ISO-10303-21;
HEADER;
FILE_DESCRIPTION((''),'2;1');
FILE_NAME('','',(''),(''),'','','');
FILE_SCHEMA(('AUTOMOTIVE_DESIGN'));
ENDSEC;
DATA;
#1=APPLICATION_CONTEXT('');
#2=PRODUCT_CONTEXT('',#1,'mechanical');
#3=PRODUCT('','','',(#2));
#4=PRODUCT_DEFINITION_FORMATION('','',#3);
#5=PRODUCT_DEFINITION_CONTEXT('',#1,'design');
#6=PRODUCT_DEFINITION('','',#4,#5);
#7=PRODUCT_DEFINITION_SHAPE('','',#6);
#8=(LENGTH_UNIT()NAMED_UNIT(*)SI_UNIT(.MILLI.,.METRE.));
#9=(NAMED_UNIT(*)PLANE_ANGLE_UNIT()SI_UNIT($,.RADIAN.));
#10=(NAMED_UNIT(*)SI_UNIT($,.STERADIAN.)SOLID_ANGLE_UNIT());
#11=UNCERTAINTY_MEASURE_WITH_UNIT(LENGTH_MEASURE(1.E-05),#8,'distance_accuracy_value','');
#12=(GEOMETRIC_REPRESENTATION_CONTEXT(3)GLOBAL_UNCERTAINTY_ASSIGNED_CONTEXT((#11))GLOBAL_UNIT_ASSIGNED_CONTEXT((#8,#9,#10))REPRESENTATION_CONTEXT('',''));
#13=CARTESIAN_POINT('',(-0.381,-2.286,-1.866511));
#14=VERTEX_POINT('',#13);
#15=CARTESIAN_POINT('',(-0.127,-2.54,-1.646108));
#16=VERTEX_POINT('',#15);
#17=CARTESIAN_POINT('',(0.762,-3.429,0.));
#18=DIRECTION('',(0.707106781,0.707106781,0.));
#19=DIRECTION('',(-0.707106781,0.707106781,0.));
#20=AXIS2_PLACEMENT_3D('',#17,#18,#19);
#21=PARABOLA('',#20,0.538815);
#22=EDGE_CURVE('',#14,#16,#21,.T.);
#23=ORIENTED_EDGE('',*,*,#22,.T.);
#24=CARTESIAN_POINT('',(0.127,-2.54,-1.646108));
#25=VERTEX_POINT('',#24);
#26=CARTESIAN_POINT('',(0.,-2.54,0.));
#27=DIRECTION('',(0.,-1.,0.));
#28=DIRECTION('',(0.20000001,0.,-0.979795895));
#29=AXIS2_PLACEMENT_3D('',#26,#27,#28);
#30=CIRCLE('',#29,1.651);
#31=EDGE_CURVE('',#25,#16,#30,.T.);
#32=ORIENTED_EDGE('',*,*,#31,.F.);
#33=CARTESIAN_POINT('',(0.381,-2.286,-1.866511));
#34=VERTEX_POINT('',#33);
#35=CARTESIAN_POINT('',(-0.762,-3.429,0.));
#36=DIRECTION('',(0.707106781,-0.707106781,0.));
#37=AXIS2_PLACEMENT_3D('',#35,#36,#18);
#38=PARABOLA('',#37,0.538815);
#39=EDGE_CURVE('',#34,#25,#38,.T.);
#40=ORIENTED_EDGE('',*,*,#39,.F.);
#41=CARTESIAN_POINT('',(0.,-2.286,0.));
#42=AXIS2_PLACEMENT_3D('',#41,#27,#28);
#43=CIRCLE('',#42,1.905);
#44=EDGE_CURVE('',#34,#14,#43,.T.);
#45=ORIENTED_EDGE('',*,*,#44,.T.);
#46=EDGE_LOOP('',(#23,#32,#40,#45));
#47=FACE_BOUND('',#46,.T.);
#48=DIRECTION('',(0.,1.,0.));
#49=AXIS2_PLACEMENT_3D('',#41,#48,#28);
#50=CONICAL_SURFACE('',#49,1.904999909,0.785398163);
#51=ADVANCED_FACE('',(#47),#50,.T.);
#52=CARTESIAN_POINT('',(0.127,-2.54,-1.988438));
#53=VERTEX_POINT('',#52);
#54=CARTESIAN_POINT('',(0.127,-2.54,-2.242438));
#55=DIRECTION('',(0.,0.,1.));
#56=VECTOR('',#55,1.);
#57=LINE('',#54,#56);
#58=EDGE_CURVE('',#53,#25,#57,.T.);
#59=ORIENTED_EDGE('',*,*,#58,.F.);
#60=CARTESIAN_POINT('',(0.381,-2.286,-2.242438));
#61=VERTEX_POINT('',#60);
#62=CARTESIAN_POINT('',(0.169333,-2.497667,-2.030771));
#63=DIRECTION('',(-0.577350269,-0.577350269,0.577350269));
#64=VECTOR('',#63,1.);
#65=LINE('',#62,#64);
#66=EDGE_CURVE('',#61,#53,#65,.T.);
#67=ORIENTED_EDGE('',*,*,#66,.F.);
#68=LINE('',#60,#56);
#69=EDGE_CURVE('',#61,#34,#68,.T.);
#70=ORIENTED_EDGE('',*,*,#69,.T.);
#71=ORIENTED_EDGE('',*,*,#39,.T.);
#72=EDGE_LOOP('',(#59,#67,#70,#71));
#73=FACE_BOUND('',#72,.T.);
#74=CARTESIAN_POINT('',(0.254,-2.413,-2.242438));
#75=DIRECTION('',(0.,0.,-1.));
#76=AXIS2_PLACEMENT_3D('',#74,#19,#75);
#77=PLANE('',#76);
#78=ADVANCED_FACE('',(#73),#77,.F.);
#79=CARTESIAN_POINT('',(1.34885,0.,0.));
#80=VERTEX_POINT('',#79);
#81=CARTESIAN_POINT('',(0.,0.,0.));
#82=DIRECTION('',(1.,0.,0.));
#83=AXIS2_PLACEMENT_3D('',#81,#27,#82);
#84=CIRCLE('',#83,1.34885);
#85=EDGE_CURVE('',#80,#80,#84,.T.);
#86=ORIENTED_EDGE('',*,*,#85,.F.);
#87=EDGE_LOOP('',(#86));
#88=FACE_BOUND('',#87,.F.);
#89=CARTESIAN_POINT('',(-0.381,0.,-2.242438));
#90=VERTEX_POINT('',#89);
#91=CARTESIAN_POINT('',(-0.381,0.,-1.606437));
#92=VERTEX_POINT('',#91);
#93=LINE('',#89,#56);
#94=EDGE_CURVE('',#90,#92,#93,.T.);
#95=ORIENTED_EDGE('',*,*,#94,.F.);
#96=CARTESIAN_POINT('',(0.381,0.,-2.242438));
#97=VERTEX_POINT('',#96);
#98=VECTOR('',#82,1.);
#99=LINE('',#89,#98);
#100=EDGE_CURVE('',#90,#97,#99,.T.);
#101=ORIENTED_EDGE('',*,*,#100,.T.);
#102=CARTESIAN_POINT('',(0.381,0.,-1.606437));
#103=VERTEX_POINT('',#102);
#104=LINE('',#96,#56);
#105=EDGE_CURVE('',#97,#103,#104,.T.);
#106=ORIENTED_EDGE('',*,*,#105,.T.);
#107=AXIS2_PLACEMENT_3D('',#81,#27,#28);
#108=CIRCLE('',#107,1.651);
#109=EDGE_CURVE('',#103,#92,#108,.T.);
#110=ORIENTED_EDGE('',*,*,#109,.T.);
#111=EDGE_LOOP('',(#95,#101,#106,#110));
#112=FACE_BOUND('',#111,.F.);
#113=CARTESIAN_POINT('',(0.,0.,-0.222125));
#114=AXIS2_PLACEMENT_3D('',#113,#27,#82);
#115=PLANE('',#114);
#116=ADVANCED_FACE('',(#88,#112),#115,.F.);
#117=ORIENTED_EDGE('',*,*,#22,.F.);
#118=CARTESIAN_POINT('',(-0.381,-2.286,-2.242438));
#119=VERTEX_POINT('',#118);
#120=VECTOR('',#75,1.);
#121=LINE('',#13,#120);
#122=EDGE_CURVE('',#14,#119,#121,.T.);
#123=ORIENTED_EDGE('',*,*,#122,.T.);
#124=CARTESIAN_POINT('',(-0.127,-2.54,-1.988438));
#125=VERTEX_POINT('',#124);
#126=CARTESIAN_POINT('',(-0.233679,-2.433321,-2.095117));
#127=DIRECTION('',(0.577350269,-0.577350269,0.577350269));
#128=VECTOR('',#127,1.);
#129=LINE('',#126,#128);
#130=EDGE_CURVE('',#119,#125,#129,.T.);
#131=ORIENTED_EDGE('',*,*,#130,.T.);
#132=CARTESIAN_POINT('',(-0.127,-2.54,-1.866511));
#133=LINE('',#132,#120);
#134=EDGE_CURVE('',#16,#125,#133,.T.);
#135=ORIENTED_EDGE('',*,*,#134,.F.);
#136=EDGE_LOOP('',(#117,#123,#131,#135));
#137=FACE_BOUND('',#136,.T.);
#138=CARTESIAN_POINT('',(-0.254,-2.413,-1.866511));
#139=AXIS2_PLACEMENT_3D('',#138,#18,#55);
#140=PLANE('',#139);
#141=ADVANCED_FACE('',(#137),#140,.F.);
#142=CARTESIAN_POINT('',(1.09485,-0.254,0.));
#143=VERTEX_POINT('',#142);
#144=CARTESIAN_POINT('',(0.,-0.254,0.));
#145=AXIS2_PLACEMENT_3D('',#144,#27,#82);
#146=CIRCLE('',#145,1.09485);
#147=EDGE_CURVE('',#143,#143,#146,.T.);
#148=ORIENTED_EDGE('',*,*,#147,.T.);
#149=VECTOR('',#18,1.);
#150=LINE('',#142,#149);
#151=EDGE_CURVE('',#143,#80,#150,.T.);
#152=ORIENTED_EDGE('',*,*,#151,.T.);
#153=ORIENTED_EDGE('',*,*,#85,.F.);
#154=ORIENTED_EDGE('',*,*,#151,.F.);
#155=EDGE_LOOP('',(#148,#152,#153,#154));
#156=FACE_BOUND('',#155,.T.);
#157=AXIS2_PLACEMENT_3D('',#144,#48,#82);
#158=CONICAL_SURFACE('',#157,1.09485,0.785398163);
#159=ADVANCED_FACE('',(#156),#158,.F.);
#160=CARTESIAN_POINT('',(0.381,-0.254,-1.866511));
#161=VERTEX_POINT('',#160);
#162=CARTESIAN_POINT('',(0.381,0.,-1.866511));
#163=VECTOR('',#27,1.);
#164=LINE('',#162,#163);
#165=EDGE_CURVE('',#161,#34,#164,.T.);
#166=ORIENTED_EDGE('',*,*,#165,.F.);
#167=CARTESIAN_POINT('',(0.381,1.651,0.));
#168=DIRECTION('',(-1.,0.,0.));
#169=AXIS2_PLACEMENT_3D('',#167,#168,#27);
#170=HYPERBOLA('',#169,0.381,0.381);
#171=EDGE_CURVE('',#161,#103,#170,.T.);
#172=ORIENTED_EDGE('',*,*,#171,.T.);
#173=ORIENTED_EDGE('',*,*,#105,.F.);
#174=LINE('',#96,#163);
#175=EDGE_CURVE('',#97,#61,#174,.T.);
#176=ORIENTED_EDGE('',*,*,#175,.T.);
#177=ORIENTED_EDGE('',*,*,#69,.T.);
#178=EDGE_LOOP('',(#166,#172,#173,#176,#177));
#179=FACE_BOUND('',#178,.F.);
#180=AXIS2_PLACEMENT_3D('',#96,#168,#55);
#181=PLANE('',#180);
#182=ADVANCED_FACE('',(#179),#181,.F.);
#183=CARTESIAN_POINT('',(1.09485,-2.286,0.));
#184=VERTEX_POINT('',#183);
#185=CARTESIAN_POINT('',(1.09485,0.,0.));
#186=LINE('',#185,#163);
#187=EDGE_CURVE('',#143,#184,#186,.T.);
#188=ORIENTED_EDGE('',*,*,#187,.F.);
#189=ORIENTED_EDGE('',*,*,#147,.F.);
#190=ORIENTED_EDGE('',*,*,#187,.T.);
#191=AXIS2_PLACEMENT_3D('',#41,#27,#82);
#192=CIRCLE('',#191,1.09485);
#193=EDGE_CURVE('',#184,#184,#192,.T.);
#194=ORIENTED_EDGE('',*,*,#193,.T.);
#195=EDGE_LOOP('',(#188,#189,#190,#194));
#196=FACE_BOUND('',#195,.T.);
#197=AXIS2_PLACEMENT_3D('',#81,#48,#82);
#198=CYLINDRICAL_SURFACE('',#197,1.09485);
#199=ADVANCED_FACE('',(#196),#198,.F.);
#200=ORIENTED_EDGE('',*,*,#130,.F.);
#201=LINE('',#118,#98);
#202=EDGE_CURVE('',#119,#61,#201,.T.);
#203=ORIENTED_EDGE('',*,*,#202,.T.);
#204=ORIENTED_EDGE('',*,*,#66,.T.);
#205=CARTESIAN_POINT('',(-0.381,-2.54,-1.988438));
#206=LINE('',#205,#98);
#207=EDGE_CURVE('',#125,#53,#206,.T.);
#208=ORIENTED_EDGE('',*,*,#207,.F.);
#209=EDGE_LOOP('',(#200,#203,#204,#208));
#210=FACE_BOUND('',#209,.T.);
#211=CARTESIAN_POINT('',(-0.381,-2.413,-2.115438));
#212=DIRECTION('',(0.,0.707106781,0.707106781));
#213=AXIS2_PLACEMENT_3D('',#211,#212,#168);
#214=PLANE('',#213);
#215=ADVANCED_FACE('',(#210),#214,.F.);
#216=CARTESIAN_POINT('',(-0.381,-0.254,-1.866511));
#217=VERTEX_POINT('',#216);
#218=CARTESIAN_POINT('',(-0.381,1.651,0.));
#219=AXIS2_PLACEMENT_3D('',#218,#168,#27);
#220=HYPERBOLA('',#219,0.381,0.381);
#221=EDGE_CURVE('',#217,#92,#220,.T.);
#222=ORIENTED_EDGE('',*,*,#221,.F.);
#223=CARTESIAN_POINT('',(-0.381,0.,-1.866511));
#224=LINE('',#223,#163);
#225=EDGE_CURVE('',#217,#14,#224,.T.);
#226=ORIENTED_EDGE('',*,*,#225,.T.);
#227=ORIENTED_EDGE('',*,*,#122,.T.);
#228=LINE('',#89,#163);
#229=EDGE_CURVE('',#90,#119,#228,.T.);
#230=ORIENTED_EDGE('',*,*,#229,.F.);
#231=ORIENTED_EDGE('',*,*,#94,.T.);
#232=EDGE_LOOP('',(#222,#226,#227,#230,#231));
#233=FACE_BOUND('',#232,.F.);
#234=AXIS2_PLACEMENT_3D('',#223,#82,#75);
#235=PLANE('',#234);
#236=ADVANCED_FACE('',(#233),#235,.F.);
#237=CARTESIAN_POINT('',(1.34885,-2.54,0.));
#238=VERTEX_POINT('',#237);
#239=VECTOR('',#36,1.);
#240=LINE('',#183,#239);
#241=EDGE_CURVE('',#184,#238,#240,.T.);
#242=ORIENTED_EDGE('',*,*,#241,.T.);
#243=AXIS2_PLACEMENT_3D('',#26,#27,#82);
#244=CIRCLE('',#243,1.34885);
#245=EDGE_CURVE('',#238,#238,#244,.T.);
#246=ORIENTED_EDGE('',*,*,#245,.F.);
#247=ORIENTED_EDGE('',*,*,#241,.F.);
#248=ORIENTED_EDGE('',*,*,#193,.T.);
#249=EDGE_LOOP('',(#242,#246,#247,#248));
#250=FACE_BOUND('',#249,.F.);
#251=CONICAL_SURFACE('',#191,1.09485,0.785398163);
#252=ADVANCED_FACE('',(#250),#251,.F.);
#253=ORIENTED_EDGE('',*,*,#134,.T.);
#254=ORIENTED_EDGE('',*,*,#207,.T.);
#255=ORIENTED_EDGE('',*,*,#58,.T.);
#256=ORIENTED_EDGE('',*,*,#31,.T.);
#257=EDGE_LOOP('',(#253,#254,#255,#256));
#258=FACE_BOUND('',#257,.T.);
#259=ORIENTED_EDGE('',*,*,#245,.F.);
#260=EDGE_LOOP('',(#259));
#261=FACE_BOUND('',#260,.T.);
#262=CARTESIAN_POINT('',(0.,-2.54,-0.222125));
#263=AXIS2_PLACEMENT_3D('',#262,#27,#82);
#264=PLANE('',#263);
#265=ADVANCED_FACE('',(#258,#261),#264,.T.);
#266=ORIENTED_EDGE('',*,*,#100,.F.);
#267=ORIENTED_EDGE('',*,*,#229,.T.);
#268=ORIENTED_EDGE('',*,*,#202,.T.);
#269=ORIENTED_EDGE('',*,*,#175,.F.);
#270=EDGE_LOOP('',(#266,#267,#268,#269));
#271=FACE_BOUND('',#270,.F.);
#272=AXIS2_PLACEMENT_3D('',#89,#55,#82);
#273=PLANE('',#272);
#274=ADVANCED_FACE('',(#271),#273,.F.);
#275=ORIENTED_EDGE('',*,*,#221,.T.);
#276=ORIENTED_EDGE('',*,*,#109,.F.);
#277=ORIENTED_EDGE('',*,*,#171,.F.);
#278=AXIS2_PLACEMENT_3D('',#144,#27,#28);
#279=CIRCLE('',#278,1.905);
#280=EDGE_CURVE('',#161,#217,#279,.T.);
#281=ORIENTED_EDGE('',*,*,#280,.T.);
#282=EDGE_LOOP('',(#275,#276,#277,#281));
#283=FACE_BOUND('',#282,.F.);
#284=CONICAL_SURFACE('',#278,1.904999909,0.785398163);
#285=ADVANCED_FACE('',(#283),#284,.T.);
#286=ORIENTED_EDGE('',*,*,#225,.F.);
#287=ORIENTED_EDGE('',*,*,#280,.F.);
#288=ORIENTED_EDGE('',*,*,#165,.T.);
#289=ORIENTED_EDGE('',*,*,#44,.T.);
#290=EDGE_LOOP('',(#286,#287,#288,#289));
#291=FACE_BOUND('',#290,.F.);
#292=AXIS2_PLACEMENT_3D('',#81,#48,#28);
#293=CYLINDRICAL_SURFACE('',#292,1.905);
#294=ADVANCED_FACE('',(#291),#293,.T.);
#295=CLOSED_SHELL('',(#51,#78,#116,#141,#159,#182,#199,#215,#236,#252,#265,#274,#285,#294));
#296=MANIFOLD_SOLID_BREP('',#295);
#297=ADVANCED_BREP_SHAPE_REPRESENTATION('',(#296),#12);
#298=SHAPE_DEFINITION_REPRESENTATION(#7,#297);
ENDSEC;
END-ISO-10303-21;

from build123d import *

# Parameters (mm, degrees)
F1_R     = 1.09485
F2_DEPTH = 2.54
F0_SIZE  = 0.254


with BuildPart() as f2:
    # F1 (on Front) → F2 (new body)
    with BuildSketch(Plane.XZ):
        with BuildLine():
            Line((0.381, -2.242438), (0.381, -1.866511))
            ThreePointArc((0.381, -1.866511), (0, 1.905), (-0.381, -1.866511))
            Line((-0.381, -1.866511), (-0.381, -2.242438))
            Line((-0.381, -2.242438), (0.381, -2.242438))
        make_face()
        Circle(F1_R, mode=Mode.SUBTRACT)
    extrude(amount=F2_DEPTH)

    # F0
    f0_edges = [f2.edges().sort_by_distance(p)[0] for p in [
        (-1.09485, -2.54, 0),
        (-1.09485, 0, 0),
        (0, 0, 1.905),
        (-0.381, -2.54, -2.054475),
        (0, -2.54, -2.242438),
        (0.381, -2.54, -2.054475),
        (0, -2.54, 1.905),
    ]]
    chamfer(f0_edges, length=F0_SIZE)


solid = f2.part
